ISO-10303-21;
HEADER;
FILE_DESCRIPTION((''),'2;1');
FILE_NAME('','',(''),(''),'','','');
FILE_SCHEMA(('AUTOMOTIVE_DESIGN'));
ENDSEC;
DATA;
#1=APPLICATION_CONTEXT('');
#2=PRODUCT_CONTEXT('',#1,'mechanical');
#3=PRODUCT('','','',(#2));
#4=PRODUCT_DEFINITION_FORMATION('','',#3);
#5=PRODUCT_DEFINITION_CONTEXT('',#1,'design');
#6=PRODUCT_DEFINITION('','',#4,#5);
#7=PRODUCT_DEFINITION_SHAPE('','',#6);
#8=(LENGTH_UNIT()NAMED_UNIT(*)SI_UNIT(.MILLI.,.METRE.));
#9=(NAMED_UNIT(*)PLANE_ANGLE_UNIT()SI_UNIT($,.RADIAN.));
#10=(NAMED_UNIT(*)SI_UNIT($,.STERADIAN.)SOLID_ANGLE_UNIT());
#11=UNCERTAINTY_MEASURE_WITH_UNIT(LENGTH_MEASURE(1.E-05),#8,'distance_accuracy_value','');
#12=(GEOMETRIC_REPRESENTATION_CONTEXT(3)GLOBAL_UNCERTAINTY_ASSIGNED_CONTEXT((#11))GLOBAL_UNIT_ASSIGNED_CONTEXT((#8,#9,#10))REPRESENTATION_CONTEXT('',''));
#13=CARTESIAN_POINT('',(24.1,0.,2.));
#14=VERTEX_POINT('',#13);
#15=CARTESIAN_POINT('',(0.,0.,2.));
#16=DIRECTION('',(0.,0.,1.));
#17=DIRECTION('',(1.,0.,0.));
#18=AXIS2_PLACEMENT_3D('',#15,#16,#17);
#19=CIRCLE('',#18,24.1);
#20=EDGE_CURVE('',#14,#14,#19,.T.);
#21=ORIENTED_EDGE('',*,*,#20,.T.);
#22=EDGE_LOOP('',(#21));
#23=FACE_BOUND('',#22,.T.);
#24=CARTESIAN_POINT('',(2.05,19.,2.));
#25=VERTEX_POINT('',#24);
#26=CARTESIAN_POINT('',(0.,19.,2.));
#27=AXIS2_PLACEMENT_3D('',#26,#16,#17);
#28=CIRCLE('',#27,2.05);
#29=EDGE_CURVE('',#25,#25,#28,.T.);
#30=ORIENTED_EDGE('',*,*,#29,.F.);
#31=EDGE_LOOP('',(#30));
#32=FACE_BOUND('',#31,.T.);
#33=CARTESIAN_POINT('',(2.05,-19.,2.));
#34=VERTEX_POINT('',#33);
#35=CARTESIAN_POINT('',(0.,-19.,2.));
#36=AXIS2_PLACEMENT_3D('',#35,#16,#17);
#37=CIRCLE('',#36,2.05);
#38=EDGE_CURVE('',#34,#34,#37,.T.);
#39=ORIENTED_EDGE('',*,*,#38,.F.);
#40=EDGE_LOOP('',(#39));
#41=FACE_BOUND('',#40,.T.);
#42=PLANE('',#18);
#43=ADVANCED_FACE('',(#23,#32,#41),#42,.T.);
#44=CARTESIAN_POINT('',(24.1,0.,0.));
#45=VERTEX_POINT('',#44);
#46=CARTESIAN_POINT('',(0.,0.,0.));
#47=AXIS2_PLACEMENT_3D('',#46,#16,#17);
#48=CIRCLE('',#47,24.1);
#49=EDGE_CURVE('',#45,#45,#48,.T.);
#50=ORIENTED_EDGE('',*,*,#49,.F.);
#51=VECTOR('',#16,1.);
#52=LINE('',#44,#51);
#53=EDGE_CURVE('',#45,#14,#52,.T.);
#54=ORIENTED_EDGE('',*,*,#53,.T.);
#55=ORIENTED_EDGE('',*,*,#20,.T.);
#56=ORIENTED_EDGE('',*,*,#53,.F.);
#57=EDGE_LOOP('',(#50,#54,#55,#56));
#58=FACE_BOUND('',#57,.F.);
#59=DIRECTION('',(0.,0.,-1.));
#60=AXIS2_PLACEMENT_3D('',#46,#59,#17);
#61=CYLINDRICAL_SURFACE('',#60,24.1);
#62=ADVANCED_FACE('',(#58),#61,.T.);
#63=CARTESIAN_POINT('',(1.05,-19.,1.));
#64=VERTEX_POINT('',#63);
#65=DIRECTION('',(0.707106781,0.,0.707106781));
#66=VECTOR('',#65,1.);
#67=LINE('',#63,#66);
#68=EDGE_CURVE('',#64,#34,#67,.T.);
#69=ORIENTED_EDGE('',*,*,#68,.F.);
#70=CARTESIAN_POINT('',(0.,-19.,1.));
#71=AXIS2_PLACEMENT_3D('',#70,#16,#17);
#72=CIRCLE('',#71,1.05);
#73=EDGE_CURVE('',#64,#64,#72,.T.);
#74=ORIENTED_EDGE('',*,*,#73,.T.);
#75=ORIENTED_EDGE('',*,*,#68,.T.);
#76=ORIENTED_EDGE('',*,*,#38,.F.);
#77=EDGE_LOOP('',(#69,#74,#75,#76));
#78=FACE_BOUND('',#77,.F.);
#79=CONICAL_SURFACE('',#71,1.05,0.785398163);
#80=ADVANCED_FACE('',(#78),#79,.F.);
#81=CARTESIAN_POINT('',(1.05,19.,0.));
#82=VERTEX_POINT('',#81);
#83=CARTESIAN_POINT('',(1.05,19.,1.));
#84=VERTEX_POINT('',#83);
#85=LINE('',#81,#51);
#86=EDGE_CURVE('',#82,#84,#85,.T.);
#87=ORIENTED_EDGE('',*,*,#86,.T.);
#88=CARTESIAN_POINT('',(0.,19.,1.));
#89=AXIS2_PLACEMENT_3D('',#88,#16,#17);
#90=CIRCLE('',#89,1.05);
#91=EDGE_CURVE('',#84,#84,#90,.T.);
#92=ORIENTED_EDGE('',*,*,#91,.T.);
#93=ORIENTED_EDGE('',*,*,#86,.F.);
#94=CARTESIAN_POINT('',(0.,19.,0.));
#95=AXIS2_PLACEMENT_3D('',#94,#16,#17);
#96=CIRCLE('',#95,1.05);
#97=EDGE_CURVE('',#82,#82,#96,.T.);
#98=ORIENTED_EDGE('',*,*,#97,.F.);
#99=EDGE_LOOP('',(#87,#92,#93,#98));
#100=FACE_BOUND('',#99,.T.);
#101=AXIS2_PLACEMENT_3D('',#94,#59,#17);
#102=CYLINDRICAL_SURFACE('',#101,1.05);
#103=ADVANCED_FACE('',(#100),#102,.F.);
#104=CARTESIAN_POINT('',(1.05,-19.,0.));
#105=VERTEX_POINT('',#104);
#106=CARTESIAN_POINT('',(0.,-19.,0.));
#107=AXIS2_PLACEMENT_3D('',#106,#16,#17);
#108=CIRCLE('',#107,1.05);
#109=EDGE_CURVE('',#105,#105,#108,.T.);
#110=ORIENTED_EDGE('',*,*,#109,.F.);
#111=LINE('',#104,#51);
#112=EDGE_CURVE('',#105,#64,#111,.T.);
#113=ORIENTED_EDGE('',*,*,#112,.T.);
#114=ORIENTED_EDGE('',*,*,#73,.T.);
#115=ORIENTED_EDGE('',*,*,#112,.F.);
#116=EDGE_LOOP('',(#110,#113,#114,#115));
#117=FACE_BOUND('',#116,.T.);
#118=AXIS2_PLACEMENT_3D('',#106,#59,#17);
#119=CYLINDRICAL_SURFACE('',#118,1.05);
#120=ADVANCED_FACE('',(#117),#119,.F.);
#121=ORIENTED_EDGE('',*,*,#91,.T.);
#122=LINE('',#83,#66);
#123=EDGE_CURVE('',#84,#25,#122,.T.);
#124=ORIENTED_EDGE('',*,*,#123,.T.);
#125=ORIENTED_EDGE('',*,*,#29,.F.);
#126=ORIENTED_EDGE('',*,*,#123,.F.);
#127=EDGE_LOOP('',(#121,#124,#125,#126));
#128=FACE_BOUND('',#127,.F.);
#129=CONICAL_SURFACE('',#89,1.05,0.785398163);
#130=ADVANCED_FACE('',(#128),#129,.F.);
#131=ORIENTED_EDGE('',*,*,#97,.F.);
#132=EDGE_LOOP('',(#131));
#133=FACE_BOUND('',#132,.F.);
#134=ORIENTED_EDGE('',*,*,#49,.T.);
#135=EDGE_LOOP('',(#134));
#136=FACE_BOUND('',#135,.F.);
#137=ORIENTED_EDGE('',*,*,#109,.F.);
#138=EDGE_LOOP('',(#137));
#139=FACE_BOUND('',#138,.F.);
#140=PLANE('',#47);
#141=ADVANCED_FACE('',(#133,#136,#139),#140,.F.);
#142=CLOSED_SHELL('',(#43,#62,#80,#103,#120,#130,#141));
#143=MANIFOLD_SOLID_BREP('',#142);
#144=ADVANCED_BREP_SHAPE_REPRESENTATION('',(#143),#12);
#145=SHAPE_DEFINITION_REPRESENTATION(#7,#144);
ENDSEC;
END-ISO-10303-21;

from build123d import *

# Parameters (mm, degrees)
F0_R     = 24.1
F0_R_2   = 1.05
F1_DEPTH = 2
F2_SIZE  = 1


with BuildPart() as f1:
    # F0 (on Top) → F1 (new body)
    with BuildSketch(Plane.XY):
        Circle(F0_R)
        with Locations((0, -19)):
            Circle(F0_R_2, mode=Mode.SUBTRACT)
        with Locations((0, 19)):
            Circle(F0_R_2, mode=Mode.SUBTRACT)
    extrude(amount=F1_DEPTH)

    # F2
    f2_edges = [f1.edges().sort_by_distance(p)[0] for p in [
        (-1.05, 19, 2),
        (-1.05, -19, 2),
    ]]
    chamfer(f2_edges, length=F2_SIZE)


solid = f1.part
